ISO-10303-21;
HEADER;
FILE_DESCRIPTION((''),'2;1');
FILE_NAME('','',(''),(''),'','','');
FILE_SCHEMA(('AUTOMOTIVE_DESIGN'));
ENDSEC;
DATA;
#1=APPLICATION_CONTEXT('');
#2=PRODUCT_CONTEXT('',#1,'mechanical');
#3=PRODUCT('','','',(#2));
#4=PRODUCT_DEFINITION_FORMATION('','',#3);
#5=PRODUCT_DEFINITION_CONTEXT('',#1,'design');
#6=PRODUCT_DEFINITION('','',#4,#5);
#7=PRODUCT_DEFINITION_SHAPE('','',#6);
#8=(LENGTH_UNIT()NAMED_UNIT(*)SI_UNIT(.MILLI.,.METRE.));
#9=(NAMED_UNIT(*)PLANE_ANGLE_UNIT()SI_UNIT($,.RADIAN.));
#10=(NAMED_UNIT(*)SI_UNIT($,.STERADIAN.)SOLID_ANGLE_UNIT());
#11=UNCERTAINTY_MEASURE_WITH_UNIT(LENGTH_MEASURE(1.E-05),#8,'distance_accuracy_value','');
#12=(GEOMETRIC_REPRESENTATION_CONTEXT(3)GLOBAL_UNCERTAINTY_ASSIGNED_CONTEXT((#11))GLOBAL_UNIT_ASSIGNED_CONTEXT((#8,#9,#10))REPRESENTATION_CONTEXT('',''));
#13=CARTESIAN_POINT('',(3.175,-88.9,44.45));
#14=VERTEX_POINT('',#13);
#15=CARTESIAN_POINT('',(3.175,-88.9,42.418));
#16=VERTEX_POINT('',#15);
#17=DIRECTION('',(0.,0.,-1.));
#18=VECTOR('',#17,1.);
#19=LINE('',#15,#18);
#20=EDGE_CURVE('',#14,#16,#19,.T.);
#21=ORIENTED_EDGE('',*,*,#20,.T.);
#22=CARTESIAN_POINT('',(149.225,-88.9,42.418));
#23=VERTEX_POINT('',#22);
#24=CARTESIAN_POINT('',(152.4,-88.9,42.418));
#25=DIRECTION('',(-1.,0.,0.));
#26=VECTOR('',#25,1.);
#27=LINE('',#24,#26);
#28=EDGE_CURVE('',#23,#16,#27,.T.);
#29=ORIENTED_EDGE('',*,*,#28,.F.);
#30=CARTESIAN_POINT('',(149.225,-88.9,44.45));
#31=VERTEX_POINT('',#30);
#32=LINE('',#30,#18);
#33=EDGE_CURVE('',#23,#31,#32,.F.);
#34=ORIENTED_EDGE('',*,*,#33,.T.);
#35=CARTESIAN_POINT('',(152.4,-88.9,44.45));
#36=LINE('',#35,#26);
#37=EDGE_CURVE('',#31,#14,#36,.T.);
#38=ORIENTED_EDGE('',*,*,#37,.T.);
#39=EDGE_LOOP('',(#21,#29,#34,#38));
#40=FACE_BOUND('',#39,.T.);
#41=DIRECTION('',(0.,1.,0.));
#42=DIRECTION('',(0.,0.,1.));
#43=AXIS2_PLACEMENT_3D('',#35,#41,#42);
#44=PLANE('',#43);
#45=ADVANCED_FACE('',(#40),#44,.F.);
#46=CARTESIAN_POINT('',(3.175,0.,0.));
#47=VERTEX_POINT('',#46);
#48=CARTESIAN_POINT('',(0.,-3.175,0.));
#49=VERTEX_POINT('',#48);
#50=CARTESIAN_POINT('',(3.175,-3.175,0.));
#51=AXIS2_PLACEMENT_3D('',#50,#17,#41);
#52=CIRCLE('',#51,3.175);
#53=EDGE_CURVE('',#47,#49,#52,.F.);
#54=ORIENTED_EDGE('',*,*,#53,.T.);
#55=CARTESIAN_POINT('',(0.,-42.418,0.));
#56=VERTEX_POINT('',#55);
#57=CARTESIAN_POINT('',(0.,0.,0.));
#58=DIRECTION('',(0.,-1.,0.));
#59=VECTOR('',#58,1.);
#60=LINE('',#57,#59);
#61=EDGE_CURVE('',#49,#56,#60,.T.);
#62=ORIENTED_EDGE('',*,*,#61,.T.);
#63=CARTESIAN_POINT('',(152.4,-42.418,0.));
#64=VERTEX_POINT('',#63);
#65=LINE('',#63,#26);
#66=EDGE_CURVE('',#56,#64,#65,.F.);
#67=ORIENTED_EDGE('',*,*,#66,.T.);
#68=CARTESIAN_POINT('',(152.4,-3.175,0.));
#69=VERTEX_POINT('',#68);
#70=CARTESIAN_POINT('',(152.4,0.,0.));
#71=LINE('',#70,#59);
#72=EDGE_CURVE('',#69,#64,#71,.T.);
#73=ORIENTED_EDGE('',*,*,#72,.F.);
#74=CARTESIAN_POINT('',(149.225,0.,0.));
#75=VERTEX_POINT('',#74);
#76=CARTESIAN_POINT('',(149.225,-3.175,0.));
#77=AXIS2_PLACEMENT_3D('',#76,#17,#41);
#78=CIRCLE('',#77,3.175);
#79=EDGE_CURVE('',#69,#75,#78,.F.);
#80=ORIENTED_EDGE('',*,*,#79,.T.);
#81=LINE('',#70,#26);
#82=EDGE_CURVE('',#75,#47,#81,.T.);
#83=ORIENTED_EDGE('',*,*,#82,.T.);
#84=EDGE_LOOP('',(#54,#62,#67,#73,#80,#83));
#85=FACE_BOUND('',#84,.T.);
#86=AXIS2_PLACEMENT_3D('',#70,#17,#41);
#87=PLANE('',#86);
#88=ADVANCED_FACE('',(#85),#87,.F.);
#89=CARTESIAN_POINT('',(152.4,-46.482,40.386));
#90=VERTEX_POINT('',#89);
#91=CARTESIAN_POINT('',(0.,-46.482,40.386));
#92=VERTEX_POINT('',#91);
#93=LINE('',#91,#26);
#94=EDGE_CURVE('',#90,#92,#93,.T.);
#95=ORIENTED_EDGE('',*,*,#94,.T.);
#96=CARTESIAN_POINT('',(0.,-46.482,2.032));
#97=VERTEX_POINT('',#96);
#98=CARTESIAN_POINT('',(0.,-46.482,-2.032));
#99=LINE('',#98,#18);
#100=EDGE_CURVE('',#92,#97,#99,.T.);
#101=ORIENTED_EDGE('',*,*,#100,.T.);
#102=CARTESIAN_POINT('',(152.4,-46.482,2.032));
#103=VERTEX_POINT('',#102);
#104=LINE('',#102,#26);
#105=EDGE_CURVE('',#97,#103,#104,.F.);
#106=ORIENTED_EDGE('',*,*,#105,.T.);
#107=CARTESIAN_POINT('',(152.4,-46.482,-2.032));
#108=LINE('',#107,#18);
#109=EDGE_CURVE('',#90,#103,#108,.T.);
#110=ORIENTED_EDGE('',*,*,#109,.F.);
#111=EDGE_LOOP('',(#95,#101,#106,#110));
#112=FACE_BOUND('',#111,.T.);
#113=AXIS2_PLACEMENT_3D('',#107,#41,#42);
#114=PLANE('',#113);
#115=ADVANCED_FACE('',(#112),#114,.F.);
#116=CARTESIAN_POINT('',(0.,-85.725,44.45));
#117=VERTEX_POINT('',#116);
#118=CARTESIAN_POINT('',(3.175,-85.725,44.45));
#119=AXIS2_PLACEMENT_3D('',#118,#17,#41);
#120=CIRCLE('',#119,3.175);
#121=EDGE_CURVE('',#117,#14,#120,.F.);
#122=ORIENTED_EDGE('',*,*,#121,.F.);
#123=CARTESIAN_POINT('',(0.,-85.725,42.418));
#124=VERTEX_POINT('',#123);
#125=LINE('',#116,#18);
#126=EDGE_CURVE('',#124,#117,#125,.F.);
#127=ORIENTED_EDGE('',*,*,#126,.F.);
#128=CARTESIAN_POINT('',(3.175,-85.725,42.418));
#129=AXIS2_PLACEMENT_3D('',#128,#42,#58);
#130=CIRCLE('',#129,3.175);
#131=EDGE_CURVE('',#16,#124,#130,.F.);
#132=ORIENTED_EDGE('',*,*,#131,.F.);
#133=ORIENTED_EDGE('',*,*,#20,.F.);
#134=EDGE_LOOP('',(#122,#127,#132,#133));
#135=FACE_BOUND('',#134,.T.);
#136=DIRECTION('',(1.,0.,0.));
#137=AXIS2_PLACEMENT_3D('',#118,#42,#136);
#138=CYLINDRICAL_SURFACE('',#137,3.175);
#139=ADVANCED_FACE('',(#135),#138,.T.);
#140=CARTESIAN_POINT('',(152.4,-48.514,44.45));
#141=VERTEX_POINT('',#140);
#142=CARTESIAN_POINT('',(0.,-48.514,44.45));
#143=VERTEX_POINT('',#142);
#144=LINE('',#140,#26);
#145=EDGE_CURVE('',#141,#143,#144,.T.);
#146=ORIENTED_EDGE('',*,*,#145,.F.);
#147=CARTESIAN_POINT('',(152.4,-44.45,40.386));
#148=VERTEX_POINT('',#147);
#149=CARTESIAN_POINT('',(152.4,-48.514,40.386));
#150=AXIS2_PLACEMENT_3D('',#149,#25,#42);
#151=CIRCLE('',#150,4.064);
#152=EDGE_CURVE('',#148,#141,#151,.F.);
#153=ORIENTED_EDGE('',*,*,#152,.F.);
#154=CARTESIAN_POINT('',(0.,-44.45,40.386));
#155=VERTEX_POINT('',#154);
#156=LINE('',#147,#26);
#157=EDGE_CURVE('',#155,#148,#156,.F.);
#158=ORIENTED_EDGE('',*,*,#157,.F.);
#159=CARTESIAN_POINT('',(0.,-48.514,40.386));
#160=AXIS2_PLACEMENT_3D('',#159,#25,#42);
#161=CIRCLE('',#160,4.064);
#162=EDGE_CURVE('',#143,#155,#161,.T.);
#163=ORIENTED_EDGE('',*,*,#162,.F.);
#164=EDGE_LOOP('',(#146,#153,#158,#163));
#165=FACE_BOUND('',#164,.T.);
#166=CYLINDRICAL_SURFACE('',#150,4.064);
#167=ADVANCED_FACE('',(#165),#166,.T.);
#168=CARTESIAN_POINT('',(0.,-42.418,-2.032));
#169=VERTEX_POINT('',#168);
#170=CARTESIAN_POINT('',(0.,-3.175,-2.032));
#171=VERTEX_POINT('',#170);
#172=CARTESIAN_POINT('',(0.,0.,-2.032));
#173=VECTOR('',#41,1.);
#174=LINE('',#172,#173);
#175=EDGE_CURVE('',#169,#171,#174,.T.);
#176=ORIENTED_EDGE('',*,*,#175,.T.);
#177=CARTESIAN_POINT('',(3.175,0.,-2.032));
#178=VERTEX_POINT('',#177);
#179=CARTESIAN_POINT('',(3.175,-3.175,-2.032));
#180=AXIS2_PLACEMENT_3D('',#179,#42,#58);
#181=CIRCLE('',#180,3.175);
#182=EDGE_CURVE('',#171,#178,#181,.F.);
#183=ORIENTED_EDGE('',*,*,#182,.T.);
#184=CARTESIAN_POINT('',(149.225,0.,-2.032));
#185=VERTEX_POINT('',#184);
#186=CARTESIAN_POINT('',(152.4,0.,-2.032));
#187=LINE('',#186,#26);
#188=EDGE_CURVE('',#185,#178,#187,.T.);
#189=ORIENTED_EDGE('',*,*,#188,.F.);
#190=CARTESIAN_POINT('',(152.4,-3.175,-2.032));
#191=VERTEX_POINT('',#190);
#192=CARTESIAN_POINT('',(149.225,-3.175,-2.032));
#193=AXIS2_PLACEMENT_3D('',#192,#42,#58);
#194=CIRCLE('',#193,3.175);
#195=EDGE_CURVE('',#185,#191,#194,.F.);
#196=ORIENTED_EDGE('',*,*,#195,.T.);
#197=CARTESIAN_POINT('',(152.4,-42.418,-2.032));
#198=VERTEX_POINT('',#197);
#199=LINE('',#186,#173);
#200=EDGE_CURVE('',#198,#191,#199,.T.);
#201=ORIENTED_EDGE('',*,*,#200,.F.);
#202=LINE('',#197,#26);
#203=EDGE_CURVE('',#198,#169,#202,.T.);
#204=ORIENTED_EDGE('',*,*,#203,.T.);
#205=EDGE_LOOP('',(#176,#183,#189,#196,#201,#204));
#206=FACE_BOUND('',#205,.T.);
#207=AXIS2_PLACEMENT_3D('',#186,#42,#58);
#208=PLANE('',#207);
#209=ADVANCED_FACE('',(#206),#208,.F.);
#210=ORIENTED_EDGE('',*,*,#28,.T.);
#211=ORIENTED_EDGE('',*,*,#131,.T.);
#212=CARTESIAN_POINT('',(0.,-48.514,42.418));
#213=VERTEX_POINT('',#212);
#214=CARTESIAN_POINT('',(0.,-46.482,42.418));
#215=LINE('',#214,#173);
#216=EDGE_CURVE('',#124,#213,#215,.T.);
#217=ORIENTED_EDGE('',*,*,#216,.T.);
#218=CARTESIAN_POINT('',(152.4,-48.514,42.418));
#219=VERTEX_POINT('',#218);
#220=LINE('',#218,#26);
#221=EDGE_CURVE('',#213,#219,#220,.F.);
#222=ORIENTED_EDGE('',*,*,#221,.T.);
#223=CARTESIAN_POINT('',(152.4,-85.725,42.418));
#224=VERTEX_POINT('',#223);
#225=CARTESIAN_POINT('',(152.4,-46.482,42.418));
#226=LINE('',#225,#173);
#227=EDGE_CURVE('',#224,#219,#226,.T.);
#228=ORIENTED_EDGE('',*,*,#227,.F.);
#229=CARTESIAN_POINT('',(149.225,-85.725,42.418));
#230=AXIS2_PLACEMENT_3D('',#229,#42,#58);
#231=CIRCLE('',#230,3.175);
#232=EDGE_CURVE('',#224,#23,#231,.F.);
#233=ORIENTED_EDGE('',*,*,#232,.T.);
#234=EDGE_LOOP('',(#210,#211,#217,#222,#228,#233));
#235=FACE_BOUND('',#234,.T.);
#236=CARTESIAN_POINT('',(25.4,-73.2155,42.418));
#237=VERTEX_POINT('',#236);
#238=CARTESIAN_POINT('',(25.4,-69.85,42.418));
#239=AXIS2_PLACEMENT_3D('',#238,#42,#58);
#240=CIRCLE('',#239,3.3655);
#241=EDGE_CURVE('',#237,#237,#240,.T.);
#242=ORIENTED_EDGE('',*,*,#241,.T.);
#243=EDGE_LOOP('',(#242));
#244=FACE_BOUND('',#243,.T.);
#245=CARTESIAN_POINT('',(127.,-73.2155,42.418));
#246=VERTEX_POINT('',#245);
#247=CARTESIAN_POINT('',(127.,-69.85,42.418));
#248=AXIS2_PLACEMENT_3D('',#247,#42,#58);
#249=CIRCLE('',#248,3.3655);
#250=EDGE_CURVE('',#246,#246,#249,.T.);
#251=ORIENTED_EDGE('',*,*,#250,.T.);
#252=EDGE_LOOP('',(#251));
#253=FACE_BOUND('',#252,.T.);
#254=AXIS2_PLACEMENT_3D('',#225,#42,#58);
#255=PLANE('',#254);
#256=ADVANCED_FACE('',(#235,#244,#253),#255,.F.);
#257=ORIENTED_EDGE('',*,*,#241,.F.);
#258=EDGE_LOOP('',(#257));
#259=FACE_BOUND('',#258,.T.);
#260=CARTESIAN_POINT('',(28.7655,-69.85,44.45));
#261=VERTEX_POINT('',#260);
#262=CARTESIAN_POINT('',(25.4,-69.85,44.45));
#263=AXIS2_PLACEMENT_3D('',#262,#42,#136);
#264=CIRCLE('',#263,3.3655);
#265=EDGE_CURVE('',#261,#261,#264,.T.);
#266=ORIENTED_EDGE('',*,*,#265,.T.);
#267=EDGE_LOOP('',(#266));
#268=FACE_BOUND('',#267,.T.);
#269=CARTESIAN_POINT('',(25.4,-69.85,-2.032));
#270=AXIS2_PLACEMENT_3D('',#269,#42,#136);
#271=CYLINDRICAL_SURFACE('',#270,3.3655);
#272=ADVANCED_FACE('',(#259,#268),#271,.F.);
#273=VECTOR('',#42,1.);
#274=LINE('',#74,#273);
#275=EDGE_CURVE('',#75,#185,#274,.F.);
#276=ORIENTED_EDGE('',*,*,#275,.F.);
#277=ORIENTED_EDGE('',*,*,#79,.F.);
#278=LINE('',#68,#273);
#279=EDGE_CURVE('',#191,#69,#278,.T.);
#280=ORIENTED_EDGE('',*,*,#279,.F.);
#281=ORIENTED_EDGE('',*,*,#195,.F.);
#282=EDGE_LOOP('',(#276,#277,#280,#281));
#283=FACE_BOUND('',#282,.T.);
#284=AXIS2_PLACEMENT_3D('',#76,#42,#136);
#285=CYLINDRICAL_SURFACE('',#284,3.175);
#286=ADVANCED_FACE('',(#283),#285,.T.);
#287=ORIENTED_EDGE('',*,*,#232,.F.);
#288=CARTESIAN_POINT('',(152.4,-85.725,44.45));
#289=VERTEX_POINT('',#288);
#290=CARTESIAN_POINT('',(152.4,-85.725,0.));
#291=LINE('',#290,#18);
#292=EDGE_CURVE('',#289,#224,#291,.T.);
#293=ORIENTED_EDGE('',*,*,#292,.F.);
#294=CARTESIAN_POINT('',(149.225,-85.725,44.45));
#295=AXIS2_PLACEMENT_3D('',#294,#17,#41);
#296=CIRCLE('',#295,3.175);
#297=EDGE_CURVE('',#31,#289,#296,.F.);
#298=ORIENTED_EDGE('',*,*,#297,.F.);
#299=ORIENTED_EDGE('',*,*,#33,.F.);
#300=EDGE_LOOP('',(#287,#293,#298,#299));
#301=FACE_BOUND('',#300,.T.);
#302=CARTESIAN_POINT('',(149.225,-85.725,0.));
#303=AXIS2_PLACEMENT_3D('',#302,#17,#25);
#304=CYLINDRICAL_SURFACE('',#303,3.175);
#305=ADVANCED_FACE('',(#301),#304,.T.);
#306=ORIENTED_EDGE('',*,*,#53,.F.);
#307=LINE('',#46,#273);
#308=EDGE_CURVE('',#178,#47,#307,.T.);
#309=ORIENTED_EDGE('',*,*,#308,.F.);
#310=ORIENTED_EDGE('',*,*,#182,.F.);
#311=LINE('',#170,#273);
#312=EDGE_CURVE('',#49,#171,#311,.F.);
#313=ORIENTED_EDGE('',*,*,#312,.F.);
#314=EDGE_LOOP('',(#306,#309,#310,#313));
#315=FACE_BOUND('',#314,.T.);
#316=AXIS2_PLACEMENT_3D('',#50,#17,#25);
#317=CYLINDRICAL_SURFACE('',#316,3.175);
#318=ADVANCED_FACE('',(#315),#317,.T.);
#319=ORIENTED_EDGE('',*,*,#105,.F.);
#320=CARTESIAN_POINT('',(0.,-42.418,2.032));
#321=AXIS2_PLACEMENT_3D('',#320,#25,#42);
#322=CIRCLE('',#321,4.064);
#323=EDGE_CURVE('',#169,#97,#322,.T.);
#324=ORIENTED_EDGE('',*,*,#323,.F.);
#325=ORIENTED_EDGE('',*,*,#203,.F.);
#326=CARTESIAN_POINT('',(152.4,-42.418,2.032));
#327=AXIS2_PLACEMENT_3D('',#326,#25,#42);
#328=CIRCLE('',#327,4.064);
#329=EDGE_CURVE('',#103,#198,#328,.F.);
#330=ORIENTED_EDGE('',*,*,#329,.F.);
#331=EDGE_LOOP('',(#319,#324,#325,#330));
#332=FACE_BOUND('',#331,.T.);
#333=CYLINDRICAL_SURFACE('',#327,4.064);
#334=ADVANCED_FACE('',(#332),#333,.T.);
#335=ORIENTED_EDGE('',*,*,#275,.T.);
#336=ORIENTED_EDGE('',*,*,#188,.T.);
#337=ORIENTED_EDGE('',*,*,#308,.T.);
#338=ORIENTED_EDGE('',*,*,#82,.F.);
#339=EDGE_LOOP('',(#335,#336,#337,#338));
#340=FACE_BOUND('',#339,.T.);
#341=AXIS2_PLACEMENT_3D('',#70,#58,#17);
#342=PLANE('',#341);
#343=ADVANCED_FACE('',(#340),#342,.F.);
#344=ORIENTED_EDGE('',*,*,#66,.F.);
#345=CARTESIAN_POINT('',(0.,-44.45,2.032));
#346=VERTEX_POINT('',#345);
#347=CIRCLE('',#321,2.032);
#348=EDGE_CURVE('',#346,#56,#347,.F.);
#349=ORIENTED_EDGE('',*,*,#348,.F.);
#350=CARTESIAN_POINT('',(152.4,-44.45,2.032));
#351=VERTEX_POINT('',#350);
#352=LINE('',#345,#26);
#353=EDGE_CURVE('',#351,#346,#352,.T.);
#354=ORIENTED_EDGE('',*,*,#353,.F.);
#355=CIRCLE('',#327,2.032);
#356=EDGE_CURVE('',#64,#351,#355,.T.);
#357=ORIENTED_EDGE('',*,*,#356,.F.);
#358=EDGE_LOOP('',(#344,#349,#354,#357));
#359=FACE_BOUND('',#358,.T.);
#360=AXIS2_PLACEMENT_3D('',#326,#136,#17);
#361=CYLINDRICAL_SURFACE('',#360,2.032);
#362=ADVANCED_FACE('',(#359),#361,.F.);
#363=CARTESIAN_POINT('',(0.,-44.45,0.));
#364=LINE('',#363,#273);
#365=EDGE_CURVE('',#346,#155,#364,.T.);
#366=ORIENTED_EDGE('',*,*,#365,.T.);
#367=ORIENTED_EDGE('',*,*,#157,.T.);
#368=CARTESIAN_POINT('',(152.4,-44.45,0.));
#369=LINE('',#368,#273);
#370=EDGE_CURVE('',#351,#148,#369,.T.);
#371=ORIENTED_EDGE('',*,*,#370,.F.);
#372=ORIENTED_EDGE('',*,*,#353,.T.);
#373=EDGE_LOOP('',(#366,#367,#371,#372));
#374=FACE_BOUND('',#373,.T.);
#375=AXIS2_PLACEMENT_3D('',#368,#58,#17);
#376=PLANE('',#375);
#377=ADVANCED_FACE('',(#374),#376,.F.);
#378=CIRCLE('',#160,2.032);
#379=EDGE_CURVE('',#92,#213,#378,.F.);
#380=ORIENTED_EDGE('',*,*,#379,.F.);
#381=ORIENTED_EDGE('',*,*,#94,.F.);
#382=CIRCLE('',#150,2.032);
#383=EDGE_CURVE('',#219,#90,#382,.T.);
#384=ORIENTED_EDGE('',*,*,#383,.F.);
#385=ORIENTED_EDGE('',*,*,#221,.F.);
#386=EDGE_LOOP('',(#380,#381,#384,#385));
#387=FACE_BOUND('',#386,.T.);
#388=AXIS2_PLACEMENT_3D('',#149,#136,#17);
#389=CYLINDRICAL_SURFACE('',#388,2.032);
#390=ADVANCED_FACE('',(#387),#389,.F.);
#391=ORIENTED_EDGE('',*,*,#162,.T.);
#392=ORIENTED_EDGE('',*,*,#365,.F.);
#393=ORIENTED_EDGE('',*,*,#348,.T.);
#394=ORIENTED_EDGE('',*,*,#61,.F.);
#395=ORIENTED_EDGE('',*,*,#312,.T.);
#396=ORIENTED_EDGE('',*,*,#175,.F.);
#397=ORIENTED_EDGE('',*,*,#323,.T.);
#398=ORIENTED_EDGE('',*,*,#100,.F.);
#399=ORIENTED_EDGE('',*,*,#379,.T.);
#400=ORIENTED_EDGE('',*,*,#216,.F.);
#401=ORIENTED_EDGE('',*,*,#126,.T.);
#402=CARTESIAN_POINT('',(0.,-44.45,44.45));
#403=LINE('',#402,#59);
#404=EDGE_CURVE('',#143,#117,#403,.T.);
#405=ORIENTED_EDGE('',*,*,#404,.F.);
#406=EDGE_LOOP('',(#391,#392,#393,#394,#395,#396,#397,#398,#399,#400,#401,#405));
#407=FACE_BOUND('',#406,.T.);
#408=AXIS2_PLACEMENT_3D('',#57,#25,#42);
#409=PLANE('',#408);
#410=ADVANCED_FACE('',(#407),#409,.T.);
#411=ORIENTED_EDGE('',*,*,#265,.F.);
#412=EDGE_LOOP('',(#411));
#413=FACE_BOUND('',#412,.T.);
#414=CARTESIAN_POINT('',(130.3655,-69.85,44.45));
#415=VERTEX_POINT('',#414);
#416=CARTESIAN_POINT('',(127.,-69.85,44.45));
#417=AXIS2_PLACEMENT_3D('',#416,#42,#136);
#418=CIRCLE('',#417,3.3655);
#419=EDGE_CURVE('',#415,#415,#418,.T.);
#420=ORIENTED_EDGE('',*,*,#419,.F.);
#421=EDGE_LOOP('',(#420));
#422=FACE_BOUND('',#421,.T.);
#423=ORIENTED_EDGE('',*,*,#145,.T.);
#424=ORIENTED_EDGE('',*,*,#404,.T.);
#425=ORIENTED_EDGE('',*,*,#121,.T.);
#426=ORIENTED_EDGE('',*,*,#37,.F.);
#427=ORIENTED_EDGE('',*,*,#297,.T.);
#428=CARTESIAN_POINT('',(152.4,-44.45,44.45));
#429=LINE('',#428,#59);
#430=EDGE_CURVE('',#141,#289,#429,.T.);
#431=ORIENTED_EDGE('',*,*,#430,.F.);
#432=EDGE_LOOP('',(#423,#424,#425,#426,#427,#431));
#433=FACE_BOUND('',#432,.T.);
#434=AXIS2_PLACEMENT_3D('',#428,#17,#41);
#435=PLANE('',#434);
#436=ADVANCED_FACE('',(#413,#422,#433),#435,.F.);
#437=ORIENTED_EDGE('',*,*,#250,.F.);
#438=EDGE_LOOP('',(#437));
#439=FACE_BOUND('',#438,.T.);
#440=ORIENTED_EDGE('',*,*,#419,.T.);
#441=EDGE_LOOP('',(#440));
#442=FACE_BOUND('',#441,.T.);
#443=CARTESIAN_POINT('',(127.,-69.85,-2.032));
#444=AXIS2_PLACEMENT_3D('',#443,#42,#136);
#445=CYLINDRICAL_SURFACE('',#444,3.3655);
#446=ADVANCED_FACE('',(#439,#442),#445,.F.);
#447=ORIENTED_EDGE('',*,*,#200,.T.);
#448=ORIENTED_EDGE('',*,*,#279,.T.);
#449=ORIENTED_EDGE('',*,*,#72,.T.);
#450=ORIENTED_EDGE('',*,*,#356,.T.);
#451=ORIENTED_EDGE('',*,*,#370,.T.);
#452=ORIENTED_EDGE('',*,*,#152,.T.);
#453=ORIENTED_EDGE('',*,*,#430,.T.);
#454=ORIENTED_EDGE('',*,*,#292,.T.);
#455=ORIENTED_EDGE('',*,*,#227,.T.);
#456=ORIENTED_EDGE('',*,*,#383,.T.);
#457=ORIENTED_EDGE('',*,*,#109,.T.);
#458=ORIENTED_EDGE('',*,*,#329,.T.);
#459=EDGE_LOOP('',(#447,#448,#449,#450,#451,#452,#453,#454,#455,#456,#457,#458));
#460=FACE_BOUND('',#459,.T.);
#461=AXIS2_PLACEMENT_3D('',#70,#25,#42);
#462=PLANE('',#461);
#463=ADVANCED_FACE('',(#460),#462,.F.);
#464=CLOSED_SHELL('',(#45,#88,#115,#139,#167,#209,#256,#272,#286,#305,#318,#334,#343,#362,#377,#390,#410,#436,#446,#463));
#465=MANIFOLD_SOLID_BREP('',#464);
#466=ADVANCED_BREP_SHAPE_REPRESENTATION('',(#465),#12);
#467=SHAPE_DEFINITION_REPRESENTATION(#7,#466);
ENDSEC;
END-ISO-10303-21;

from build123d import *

# Parameters (mm, degrees)
BOSS_EXTRUDE1_DEPTH = 152.4
FILLET1_R           = 2.032
FILLET2_R           = 4.064
FILLET3_R           = 3.175
SKETCH2_R           = 3.3655
CUT_EXTRUDE1_DEPTH  = 47.482


with BuildPart() as part:
    # Sketch1 → Boss-Extrude1 (new body)
    with BuildSketch(Plane(origin=(0, 0, 0), x_dir=(0, 0, -1), z_dir=(1, 0, 0))):
        Polygon((0, 0), (0, -44.45), (-44.45, -44.45), (-44.45, -88.9), (-42.418, -88.9), (-42.418, -46.482), (2.032, -46.482), (2.032, 0), align=None)
    extrude(amount=BOSS_EXTRUDE1_DEPTH)

    # Fillet1
    fillet1_edges = [part.edges().sort_by_distance(p)[0] for p in [
        (76.2, -46.482, 42.418),
        (76.2, -44.45, 0),
    ]]
    fillet(fillet1_edges, radius=FILLET1_R)

    # Fillet2
    fillet2_edges = [part.edges().sort_by_distance(p)[0] for p in [
        (76.2, -46.482, -2.032),
        (76.2, -44.45, 44.45),
    ]]
    fillet(fillet2_edges, radius=FILLET2_R)

    # Fillet3
    fillet3_edges = [part.edges().sort_by_distance(p)[0] for p in [
        (0, 0, -1.016),
        (152.4, -88.9, 43.434),
        (152.4, 0, -1.016),
        (0, -88.9, 43.434),
    ]]
    fillet(fillet3_edges, radius=FILLET3_R)

    # Sketch2 → Cut-Extrude1 (cut, through all)
    with BuildSketch(Plane.XY.offset(44.45)):
        with Locations((25.4, -69.85)):
            Circle(SKETCH2_R)
        with Locations((127, -69.85)):
            Circle(SKETCH2_R)
    extrude(amount=-CUT_EXTRUDE1_DEPTH, mode=Mode.SUBTRACT)


solid = part.part
